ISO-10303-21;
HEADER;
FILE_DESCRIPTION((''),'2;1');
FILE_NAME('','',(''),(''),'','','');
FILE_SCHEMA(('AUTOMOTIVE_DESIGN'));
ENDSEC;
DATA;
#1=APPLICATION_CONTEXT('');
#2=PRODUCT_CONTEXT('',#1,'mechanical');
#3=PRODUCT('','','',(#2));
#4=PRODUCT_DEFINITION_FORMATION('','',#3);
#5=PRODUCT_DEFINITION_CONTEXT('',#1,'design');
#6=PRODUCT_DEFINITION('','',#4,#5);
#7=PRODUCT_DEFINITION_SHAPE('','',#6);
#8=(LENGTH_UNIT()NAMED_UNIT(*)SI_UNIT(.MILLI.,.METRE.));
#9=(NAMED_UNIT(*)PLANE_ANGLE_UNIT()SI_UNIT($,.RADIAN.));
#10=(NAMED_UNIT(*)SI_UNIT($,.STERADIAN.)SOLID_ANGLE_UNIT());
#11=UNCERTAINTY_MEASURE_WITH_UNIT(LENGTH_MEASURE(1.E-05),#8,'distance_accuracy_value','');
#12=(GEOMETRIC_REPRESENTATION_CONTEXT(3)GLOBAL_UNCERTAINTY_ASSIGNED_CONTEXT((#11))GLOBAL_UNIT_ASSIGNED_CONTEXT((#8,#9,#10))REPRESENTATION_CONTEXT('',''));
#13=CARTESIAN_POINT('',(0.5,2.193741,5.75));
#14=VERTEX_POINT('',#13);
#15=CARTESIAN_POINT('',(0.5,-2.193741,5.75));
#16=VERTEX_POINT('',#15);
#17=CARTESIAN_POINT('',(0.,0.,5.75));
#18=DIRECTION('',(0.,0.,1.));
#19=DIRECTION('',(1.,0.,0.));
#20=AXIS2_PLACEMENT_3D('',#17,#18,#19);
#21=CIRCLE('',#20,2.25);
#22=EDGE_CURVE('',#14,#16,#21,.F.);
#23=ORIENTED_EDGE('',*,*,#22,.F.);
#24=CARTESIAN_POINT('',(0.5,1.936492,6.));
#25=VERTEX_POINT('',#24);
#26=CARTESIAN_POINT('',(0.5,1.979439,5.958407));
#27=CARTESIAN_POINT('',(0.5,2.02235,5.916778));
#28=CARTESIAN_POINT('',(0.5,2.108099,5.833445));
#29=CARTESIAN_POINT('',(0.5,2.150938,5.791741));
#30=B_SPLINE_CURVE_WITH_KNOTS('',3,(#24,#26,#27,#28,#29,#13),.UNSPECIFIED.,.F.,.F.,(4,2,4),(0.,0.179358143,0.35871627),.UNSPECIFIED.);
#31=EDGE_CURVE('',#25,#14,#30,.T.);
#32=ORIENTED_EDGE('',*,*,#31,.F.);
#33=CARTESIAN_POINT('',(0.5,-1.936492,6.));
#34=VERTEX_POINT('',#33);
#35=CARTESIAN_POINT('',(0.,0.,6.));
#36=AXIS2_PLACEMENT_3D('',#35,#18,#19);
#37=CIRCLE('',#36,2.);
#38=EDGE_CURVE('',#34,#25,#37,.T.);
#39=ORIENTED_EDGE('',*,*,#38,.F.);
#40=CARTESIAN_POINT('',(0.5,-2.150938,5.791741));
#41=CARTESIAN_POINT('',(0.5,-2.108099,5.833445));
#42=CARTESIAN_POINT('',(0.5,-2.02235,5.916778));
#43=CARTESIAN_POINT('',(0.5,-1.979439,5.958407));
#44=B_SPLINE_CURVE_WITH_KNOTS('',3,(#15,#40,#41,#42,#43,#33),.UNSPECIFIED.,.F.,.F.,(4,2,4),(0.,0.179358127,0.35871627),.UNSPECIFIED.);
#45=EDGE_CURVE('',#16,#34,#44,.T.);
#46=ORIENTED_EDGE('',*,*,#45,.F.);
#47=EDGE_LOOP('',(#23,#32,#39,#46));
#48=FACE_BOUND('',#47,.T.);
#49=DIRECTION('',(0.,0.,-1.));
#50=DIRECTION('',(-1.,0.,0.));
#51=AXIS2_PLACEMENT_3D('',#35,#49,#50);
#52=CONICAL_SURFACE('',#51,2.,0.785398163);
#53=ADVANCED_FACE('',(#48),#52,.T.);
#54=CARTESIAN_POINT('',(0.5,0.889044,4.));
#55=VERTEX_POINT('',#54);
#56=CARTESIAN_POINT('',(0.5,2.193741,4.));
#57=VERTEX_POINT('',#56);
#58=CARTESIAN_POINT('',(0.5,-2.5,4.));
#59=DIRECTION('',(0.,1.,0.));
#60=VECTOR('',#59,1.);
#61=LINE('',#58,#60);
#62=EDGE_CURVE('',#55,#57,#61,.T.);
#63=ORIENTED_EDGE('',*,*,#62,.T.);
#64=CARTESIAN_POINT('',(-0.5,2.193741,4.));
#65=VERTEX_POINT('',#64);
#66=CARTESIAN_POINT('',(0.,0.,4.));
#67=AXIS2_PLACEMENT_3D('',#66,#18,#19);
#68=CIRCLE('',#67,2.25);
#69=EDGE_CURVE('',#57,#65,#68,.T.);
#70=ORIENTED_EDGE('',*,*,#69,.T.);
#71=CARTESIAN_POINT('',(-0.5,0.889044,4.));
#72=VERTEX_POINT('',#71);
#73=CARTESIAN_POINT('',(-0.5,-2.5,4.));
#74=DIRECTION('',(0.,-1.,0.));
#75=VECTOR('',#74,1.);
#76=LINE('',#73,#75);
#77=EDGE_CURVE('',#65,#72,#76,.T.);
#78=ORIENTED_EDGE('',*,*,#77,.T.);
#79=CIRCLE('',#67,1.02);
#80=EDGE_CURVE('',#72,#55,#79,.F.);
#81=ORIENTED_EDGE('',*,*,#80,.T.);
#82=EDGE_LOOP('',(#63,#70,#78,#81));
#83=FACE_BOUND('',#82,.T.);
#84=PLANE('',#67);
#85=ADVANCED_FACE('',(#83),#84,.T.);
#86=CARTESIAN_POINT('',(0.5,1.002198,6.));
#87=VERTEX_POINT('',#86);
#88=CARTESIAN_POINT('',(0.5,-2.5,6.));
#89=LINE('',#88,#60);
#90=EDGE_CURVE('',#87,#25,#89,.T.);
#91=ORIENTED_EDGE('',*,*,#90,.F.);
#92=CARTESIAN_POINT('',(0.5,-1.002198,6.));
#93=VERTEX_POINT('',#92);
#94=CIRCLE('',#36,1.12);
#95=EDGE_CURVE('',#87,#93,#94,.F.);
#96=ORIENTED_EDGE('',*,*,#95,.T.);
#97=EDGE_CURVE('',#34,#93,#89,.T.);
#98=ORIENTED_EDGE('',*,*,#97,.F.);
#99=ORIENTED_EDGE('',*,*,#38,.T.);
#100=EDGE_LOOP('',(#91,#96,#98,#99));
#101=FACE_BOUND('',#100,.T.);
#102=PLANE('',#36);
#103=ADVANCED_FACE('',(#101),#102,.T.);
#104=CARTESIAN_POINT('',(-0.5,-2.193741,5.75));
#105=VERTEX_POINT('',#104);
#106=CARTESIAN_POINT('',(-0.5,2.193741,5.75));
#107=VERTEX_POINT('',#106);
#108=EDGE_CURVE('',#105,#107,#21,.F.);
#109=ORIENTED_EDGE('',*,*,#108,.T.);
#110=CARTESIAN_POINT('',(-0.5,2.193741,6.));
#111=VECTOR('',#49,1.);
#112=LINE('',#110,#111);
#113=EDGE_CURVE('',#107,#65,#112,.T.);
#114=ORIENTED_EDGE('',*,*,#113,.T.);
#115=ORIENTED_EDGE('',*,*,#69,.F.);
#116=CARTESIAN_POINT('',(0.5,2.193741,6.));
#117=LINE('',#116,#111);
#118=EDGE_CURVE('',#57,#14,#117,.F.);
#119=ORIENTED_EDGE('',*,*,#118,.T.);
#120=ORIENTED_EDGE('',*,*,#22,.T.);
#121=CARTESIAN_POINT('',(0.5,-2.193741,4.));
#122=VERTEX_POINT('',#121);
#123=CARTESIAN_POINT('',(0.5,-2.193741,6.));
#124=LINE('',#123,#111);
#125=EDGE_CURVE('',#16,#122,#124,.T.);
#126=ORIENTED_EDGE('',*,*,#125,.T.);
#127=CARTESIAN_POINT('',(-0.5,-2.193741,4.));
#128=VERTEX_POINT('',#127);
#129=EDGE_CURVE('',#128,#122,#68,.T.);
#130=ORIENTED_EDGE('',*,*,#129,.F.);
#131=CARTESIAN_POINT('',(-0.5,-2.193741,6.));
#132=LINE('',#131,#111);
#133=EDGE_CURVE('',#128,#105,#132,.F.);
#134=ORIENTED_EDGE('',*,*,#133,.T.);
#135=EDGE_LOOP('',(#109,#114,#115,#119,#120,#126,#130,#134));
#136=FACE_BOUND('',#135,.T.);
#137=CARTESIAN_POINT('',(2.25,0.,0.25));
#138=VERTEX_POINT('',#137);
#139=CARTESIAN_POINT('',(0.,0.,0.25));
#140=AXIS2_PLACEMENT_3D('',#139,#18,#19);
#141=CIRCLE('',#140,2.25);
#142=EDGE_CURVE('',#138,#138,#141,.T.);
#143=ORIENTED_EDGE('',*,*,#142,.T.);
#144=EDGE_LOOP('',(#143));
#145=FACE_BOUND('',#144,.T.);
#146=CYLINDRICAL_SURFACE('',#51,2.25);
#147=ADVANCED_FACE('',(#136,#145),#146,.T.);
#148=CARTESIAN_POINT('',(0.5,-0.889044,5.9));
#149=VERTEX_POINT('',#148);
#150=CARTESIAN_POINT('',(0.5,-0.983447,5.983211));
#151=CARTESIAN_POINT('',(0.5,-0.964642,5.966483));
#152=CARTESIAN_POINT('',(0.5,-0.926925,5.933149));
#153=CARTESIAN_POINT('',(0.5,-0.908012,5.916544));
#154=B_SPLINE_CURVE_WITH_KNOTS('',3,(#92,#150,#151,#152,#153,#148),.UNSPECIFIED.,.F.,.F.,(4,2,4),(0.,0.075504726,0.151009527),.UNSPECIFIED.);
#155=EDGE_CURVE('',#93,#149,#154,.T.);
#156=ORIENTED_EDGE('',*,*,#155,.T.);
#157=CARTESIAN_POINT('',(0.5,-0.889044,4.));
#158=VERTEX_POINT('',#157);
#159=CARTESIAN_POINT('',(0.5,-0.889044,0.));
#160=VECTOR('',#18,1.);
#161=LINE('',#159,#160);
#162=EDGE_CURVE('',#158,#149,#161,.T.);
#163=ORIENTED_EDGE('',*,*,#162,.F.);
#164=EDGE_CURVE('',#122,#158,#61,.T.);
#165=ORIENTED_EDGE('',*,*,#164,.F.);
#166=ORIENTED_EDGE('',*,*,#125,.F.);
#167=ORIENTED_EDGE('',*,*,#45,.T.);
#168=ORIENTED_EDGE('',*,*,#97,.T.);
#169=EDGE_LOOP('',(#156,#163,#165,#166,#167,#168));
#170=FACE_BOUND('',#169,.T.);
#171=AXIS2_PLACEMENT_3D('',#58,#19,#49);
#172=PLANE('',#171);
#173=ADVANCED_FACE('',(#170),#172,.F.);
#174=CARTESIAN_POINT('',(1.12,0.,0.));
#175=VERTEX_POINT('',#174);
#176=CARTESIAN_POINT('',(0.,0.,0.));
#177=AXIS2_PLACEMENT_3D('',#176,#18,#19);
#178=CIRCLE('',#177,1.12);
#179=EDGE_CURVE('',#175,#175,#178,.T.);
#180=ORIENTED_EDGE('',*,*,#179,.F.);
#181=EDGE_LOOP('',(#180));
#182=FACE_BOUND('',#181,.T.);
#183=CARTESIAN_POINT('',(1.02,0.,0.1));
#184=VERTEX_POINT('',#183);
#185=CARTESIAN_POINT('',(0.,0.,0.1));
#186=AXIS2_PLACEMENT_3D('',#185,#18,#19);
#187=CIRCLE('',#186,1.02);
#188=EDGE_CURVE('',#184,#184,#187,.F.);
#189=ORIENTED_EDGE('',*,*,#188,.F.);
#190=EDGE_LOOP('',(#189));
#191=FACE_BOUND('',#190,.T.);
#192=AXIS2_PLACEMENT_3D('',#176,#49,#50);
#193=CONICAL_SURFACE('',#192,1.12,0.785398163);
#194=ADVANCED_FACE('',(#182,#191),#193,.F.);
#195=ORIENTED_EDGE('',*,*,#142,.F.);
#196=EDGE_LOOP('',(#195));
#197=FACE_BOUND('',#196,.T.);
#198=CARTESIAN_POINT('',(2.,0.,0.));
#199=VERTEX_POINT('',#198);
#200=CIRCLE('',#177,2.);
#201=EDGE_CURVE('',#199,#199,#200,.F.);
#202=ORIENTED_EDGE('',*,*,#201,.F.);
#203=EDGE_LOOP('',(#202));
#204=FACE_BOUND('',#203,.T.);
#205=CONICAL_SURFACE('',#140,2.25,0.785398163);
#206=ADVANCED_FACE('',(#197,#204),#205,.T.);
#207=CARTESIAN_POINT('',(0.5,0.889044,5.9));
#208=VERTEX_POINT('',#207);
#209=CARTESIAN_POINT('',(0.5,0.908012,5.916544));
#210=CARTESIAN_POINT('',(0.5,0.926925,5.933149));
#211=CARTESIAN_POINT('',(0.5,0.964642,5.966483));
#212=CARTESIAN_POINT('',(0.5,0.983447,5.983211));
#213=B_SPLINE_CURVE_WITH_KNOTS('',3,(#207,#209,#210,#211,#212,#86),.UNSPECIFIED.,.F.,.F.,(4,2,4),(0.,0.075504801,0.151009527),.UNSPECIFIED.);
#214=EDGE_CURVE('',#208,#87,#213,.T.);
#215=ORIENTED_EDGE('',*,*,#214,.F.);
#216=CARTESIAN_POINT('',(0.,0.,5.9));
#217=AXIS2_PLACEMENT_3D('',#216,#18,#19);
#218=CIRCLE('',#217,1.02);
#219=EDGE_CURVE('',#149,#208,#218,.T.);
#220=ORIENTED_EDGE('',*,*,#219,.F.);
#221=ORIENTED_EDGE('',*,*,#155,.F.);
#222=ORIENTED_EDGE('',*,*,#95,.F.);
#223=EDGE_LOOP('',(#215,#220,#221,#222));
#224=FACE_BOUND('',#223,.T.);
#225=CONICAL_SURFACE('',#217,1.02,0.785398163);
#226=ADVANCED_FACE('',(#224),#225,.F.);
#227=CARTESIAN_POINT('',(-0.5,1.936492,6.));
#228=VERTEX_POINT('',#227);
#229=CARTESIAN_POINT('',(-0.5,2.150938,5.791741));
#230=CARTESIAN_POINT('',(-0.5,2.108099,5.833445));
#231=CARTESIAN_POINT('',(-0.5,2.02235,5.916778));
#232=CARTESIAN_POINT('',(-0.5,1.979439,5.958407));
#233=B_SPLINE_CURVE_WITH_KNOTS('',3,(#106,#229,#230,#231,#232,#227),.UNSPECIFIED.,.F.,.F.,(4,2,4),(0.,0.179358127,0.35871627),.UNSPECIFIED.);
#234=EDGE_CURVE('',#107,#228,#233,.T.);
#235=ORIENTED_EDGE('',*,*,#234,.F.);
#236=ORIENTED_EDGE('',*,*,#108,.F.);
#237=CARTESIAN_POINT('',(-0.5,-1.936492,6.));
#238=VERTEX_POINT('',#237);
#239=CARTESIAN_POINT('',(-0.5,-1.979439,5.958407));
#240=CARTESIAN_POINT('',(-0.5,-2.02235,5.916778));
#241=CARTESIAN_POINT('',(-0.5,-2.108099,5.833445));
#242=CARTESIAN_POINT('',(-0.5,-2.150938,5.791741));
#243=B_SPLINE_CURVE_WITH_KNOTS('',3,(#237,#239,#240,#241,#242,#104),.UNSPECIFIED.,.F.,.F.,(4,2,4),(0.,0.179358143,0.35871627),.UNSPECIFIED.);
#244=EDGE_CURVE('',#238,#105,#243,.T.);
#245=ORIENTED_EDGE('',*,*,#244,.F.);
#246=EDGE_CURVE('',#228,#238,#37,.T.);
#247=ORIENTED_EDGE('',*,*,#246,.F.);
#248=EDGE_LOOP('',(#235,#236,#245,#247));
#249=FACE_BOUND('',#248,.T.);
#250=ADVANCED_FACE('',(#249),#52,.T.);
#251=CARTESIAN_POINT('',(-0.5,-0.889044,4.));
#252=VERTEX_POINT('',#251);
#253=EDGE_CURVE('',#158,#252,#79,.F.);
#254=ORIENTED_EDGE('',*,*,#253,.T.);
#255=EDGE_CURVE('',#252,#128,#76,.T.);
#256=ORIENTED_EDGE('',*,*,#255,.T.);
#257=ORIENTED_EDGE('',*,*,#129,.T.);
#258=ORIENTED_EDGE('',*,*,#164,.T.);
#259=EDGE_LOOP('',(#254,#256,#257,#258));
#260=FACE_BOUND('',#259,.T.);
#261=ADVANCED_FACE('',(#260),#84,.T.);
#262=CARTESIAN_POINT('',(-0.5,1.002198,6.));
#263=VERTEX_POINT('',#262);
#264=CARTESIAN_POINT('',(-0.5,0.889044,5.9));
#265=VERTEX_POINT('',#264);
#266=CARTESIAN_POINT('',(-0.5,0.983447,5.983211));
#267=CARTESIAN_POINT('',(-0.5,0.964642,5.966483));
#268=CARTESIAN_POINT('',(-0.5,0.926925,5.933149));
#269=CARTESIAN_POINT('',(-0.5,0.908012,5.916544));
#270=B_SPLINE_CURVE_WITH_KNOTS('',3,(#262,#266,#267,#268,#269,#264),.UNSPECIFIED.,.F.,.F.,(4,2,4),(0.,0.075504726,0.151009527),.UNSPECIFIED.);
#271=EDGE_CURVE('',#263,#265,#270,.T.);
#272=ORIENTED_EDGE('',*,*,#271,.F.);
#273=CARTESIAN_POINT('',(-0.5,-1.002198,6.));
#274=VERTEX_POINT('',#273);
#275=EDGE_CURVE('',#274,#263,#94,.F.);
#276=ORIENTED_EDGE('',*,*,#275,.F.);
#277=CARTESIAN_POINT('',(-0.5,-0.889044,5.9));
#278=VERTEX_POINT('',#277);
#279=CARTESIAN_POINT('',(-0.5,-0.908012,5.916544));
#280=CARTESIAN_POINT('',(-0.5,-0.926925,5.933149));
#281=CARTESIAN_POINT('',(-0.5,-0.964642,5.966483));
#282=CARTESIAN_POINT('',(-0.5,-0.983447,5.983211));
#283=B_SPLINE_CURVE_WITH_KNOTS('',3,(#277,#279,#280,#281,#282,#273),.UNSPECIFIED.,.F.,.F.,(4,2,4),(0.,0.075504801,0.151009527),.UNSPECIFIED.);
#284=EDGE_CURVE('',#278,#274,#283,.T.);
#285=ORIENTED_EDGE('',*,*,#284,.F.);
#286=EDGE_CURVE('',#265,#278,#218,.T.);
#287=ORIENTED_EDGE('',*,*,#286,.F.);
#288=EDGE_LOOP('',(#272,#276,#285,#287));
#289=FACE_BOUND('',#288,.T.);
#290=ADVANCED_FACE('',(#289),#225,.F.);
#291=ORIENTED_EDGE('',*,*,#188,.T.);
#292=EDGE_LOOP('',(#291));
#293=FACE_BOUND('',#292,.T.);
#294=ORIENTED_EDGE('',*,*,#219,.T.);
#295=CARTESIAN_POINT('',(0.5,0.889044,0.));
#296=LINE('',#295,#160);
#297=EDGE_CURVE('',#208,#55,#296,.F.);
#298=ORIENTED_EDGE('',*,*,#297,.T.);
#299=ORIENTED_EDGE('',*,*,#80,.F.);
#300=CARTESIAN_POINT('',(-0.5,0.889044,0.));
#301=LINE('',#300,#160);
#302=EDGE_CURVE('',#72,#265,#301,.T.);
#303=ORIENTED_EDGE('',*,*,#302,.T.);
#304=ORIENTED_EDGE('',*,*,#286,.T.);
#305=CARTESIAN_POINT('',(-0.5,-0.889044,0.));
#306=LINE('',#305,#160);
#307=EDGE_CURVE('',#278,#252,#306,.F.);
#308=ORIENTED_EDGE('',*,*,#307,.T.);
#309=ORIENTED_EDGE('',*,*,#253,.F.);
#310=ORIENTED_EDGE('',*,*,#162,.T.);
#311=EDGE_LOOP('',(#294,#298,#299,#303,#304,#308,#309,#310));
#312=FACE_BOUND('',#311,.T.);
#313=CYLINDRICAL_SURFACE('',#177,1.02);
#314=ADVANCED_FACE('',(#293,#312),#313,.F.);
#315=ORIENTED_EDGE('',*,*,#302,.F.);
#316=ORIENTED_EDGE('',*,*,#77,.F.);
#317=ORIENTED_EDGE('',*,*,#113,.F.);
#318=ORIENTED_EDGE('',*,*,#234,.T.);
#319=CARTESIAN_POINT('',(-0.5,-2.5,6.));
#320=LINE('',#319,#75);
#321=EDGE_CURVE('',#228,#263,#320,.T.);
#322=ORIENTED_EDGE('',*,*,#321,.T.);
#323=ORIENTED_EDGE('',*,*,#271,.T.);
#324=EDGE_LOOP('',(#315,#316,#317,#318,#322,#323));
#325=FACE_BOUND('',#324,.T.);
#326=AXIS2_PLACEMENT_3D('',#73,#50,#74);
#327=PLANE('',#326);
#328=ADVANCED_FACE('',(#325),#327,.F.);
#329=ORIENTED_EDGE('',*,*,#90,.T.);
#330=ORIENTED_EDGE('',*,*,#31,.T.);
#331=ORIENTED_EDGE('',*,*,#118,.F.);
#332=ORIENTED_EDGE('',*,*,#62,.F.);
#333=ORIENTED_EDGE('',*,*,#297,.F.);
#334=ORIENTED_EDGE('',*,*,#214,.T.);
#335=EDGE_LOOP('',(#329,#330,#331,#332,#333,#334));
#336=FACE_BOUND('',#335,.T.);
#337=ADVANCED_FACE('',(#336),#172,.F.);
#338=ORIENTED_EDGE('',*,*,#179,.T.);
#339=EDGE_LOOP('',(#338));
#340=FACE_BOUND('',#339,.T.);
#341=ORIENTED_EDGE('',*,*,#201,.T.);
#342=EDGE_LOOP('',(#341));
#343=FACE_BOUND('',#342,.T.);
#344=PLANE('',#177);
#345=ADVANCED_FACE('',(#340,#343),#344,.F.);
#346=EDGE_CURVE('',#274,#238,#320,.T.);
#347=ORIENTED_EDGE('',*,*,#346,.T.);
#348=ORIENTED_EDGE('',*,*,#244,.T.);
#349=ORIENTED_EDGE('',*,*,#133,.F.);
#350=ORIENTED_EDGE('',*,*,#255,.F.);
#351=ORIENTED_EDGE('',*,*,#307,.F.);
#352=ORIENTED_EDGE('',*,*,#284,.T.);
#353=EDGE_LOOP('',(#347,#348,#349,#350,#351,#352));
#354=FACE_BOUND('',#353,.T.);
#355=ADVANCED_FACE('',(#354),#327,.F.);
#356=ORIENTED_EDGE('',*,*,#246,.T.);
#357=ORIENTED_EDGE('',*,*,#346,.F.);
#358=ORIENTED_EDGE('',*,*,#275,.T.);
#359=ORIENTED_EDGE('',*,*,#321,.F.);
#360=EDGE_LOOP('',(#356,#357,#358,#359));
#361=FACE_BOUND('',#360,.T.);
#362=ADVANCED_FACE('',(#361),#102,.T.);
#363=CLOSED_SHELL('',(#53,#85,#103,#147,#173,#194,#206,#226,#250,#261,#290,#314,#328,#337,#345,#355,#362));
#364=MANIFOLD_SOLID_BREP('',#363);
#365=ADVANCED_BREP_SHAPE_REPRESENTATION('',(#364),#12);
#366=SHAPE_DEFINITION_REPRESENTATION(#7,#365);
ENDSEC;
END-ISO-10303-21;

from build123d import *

# Parameters (mm, degrees)
SKETCH_1_R          = 2.25
EXTRUDE_1_DEPTH     = 6
SKETCH_2_R          = 1.02
CUT_EXTRUDE_1_DEPTH = 6
SKETCH_3_W          = 1
SKETCH_3_H          = 5
CUT_EXTRUDE_2_DEPTH = 2
CHAMFER_1_SIZE      = 0.25
CHAMFER_2_SIZE      = 0.25
CHAMFER_4_SIZE      = 0.25
CHAMFER_5_SIZE      = 0.1
CHAMFER_6_SIZE      = 0.1
CHAMFER_7_SIZE      = 0.1


with BuildPart() as part:
    # Эскиз1 → Бобышка-Вытянуть1 (new body)
    with BuildSketch(Plane.XY):
        Circle(SKETCH_1_R)
    extrude(amount=EXTRUDE_1_DEPTH)

    # Эскиз2 → Вырез-Вытянуть1 (cut)
    with BuildSketch(Plane.XY.offset(6)):
        Circle(SKETCH_2_R)
    extrude(amount=-CUT_EXTRUDE_1_DEPTH, mode=Mode.SUBTRACT)

    # Эскиз3 → Вырез-Вытянуть2 (cut)
    with BuildSketch(Plane.XY.offset(6)):
        Rectangle(SKETCH_3_W, SKETCH_3_H)
    extrude(amount=-CUT_EXTRUDE_2_DEPTH, mode=Mode.SUBTRACT)

    # Фаска1
    chamfer_1_edges = [part.edges().sort_by_distance(p)[0] for p in [
        (1.75890591, -1.40312152, 6),
    ]]
    chamfer(chamfer_1_edges, length=CHAMFER_1_SIZE)

    # Фаска2
    chamfer_2_edges = [part.edges().sort_by_distance(p)[0] for p in [
        (-2.25, 0, 6),
    ]]
    chamfer(chamfer_2_edges, length=CHAMFER_2_SIZE)

    # Фаска4
    chamfer_4_edges = [part.edges().sort_by_distance(p)[0] for p in [
        (-2.25, 0, 0),
    ]]
    chamfer(chamfer_4_edges, length=CHAMFER_4_SIZE)

    # Фаска5
    chamfer_5_edges = [part.edges().sort_by_distance(p)[0] for p in [
        (-1.02, 0, 0),
    ]]
    chamfer(chamfer_5_edges, length=CHAMFER_5_SIZE)

    # Фаска6
    chamfer_6_edges = [part.edges().sort_by_distance(p)[0] for p in [
        (0.880454428, -0.514975728, 6),
    ]]
    chamfer(chamfer_6_edges, length=CHAMFER_6_SIZE)

    # Фаска7
    chamfer_7_edges = [part.edges().sort_by_distance(p)[0] for p in [
        (-1.02, 0, 6),
    ]]
    chamfer(chamfer_7_edges, length=CHAMFER_7_SIZE)


solid = part.part
